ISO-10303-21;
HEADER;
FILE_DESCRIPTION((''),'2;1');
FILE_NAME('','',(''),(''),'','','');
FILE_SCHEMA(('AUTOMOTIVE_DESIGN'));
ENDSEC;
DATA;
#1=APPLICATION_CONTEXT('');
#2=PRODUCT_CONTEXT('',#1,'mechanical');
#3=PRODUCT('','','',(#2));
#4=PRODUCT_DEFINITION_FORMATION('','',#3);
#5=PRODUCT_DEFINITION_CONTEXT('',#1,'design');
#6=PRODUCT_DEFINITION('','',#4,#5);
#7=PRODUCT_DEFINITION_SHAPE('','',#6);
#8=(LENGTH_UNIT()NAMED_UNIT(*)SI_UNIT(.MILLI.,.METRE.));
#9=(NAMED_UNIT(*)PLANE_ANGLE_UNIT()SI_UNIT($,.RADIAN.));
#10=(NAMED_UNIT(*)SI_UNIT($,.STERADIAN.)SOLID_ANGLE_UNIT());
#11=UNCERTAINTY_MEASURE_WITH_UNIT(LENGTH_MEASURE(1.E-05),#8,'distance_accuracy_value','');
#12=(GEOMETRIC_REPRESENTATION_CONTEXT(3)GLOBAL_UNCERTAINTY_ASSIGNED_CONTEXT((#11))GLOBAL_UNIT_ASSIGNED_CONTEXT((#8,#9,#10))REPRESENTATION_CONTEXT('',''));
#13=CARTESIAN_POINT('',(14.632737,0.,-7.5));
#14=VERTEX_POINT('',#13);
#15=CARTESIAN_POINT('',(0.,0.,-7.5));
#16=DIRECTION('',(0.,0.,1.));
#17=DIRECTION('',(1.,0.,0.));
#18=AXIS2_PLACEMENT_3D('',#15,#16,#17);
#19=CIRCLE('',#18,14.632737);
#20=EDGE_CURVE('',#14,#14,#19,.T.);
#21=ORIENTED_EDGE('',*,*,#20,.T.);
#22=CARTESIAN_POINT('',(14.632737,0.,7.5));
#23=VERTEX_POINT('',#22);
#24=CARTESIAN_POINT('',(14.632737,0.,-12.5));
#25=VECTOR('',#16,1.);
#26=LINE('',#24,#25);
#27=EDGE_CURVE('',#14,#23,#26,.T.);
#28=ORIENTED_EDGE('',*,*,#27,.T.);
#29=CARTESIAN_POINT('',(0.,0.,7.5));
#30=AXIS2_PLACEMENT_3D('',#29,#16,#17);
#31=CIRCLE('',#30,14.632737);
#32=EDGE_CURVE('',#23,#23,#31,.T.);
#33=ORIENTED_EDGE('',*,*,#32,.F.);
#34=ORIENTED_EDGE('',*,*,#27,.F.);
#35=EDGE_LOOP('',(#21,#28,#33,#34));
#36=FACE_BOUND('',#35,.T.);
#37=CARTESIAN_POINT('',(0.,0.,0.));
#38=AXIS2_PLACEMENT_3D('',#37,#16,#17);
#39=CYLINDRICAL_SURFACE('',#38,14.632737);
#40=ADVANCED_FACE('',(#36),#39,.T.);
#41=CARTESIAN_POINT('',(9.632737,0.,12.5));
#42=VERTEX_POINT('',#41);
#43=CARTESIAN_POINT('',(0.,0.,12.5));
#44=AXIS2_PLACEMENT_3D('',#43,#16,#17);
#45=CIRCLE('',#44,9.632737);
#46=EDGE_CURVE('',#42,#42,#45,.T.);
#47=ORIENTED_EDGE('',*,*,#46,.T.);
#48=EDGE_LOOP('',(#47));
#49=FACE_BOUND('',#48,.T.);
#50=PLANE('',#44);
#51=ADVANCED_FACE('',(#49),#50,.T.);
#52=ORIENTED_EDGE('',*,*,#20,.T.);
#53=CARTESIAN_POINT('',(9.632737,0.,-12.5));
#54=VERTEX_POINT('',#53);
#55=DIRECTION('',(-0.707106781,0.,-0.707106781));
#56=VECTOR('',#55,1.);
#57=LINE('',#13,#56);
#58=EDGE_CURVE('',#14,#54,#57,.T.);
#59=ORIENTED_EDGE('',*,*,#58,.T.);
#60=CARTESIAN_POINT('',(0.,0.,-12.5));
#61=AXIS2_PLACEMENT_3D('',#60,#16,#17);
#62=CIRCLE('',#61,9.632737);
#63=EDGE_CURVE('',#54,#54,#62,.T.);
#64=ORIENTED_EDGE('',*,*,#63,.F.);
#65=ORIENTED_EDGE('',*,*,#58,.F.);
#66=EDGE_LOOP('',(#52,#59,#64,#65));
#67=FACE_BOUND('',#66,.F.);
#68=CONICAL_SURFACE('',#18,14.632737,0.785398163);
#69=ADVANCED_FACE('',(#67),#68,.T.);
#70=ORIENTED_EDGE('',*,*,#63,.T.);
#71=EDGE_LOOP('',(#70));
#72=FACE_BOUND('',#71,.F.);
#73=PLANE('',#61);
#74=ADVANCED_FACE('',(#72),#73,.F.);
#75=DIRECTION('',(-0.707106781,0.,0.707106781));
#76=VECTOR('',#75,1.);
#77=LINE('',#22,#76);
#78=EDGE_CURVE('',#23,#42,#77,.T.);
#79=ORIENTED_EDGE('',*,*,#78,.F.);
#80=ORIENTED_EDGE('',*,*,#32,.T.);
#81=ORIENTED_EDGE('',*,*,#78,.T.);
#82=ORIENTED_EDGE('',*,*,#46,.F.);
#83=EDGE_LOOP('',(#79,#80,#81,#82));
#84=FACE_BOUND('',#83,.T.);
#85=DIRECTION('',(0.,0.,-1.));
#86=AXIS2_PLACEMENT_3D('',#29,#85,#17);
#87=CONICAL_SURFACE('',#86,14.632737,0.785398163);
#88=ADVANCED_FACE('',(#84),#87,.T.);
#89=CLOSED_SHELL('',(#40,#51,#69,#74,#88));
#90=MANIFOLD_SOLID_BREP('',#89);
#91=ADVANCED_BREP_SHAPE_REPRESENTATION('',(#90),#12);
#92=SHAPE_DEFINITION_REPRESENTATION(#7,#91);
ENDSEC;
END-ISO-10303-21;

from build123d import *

# Parameters (mm, degrees)
F0_R     = 14.632737
F1_DEPTH = 12.5
F2_SIZE  = 5


with BuildPart() as f1:
    # F0 (on Top) → F1 (new body, symmetric)
    with BuildSketch(Plane.XY):
        Circle(F0_R)
    extrude(amount=F1_DEPTH, both=True)

    # F2
    f2_edges = [f1.edges().sort_by_distance(p)[0] for p in [
        (-14.632737, 0, -12.5),
        (14.632737, 0, 0),
        (-14.632737, 0, 12.5),
    ]]
    chamfer(f2_edges, length=F2_SIZE)


solid = f1.part
